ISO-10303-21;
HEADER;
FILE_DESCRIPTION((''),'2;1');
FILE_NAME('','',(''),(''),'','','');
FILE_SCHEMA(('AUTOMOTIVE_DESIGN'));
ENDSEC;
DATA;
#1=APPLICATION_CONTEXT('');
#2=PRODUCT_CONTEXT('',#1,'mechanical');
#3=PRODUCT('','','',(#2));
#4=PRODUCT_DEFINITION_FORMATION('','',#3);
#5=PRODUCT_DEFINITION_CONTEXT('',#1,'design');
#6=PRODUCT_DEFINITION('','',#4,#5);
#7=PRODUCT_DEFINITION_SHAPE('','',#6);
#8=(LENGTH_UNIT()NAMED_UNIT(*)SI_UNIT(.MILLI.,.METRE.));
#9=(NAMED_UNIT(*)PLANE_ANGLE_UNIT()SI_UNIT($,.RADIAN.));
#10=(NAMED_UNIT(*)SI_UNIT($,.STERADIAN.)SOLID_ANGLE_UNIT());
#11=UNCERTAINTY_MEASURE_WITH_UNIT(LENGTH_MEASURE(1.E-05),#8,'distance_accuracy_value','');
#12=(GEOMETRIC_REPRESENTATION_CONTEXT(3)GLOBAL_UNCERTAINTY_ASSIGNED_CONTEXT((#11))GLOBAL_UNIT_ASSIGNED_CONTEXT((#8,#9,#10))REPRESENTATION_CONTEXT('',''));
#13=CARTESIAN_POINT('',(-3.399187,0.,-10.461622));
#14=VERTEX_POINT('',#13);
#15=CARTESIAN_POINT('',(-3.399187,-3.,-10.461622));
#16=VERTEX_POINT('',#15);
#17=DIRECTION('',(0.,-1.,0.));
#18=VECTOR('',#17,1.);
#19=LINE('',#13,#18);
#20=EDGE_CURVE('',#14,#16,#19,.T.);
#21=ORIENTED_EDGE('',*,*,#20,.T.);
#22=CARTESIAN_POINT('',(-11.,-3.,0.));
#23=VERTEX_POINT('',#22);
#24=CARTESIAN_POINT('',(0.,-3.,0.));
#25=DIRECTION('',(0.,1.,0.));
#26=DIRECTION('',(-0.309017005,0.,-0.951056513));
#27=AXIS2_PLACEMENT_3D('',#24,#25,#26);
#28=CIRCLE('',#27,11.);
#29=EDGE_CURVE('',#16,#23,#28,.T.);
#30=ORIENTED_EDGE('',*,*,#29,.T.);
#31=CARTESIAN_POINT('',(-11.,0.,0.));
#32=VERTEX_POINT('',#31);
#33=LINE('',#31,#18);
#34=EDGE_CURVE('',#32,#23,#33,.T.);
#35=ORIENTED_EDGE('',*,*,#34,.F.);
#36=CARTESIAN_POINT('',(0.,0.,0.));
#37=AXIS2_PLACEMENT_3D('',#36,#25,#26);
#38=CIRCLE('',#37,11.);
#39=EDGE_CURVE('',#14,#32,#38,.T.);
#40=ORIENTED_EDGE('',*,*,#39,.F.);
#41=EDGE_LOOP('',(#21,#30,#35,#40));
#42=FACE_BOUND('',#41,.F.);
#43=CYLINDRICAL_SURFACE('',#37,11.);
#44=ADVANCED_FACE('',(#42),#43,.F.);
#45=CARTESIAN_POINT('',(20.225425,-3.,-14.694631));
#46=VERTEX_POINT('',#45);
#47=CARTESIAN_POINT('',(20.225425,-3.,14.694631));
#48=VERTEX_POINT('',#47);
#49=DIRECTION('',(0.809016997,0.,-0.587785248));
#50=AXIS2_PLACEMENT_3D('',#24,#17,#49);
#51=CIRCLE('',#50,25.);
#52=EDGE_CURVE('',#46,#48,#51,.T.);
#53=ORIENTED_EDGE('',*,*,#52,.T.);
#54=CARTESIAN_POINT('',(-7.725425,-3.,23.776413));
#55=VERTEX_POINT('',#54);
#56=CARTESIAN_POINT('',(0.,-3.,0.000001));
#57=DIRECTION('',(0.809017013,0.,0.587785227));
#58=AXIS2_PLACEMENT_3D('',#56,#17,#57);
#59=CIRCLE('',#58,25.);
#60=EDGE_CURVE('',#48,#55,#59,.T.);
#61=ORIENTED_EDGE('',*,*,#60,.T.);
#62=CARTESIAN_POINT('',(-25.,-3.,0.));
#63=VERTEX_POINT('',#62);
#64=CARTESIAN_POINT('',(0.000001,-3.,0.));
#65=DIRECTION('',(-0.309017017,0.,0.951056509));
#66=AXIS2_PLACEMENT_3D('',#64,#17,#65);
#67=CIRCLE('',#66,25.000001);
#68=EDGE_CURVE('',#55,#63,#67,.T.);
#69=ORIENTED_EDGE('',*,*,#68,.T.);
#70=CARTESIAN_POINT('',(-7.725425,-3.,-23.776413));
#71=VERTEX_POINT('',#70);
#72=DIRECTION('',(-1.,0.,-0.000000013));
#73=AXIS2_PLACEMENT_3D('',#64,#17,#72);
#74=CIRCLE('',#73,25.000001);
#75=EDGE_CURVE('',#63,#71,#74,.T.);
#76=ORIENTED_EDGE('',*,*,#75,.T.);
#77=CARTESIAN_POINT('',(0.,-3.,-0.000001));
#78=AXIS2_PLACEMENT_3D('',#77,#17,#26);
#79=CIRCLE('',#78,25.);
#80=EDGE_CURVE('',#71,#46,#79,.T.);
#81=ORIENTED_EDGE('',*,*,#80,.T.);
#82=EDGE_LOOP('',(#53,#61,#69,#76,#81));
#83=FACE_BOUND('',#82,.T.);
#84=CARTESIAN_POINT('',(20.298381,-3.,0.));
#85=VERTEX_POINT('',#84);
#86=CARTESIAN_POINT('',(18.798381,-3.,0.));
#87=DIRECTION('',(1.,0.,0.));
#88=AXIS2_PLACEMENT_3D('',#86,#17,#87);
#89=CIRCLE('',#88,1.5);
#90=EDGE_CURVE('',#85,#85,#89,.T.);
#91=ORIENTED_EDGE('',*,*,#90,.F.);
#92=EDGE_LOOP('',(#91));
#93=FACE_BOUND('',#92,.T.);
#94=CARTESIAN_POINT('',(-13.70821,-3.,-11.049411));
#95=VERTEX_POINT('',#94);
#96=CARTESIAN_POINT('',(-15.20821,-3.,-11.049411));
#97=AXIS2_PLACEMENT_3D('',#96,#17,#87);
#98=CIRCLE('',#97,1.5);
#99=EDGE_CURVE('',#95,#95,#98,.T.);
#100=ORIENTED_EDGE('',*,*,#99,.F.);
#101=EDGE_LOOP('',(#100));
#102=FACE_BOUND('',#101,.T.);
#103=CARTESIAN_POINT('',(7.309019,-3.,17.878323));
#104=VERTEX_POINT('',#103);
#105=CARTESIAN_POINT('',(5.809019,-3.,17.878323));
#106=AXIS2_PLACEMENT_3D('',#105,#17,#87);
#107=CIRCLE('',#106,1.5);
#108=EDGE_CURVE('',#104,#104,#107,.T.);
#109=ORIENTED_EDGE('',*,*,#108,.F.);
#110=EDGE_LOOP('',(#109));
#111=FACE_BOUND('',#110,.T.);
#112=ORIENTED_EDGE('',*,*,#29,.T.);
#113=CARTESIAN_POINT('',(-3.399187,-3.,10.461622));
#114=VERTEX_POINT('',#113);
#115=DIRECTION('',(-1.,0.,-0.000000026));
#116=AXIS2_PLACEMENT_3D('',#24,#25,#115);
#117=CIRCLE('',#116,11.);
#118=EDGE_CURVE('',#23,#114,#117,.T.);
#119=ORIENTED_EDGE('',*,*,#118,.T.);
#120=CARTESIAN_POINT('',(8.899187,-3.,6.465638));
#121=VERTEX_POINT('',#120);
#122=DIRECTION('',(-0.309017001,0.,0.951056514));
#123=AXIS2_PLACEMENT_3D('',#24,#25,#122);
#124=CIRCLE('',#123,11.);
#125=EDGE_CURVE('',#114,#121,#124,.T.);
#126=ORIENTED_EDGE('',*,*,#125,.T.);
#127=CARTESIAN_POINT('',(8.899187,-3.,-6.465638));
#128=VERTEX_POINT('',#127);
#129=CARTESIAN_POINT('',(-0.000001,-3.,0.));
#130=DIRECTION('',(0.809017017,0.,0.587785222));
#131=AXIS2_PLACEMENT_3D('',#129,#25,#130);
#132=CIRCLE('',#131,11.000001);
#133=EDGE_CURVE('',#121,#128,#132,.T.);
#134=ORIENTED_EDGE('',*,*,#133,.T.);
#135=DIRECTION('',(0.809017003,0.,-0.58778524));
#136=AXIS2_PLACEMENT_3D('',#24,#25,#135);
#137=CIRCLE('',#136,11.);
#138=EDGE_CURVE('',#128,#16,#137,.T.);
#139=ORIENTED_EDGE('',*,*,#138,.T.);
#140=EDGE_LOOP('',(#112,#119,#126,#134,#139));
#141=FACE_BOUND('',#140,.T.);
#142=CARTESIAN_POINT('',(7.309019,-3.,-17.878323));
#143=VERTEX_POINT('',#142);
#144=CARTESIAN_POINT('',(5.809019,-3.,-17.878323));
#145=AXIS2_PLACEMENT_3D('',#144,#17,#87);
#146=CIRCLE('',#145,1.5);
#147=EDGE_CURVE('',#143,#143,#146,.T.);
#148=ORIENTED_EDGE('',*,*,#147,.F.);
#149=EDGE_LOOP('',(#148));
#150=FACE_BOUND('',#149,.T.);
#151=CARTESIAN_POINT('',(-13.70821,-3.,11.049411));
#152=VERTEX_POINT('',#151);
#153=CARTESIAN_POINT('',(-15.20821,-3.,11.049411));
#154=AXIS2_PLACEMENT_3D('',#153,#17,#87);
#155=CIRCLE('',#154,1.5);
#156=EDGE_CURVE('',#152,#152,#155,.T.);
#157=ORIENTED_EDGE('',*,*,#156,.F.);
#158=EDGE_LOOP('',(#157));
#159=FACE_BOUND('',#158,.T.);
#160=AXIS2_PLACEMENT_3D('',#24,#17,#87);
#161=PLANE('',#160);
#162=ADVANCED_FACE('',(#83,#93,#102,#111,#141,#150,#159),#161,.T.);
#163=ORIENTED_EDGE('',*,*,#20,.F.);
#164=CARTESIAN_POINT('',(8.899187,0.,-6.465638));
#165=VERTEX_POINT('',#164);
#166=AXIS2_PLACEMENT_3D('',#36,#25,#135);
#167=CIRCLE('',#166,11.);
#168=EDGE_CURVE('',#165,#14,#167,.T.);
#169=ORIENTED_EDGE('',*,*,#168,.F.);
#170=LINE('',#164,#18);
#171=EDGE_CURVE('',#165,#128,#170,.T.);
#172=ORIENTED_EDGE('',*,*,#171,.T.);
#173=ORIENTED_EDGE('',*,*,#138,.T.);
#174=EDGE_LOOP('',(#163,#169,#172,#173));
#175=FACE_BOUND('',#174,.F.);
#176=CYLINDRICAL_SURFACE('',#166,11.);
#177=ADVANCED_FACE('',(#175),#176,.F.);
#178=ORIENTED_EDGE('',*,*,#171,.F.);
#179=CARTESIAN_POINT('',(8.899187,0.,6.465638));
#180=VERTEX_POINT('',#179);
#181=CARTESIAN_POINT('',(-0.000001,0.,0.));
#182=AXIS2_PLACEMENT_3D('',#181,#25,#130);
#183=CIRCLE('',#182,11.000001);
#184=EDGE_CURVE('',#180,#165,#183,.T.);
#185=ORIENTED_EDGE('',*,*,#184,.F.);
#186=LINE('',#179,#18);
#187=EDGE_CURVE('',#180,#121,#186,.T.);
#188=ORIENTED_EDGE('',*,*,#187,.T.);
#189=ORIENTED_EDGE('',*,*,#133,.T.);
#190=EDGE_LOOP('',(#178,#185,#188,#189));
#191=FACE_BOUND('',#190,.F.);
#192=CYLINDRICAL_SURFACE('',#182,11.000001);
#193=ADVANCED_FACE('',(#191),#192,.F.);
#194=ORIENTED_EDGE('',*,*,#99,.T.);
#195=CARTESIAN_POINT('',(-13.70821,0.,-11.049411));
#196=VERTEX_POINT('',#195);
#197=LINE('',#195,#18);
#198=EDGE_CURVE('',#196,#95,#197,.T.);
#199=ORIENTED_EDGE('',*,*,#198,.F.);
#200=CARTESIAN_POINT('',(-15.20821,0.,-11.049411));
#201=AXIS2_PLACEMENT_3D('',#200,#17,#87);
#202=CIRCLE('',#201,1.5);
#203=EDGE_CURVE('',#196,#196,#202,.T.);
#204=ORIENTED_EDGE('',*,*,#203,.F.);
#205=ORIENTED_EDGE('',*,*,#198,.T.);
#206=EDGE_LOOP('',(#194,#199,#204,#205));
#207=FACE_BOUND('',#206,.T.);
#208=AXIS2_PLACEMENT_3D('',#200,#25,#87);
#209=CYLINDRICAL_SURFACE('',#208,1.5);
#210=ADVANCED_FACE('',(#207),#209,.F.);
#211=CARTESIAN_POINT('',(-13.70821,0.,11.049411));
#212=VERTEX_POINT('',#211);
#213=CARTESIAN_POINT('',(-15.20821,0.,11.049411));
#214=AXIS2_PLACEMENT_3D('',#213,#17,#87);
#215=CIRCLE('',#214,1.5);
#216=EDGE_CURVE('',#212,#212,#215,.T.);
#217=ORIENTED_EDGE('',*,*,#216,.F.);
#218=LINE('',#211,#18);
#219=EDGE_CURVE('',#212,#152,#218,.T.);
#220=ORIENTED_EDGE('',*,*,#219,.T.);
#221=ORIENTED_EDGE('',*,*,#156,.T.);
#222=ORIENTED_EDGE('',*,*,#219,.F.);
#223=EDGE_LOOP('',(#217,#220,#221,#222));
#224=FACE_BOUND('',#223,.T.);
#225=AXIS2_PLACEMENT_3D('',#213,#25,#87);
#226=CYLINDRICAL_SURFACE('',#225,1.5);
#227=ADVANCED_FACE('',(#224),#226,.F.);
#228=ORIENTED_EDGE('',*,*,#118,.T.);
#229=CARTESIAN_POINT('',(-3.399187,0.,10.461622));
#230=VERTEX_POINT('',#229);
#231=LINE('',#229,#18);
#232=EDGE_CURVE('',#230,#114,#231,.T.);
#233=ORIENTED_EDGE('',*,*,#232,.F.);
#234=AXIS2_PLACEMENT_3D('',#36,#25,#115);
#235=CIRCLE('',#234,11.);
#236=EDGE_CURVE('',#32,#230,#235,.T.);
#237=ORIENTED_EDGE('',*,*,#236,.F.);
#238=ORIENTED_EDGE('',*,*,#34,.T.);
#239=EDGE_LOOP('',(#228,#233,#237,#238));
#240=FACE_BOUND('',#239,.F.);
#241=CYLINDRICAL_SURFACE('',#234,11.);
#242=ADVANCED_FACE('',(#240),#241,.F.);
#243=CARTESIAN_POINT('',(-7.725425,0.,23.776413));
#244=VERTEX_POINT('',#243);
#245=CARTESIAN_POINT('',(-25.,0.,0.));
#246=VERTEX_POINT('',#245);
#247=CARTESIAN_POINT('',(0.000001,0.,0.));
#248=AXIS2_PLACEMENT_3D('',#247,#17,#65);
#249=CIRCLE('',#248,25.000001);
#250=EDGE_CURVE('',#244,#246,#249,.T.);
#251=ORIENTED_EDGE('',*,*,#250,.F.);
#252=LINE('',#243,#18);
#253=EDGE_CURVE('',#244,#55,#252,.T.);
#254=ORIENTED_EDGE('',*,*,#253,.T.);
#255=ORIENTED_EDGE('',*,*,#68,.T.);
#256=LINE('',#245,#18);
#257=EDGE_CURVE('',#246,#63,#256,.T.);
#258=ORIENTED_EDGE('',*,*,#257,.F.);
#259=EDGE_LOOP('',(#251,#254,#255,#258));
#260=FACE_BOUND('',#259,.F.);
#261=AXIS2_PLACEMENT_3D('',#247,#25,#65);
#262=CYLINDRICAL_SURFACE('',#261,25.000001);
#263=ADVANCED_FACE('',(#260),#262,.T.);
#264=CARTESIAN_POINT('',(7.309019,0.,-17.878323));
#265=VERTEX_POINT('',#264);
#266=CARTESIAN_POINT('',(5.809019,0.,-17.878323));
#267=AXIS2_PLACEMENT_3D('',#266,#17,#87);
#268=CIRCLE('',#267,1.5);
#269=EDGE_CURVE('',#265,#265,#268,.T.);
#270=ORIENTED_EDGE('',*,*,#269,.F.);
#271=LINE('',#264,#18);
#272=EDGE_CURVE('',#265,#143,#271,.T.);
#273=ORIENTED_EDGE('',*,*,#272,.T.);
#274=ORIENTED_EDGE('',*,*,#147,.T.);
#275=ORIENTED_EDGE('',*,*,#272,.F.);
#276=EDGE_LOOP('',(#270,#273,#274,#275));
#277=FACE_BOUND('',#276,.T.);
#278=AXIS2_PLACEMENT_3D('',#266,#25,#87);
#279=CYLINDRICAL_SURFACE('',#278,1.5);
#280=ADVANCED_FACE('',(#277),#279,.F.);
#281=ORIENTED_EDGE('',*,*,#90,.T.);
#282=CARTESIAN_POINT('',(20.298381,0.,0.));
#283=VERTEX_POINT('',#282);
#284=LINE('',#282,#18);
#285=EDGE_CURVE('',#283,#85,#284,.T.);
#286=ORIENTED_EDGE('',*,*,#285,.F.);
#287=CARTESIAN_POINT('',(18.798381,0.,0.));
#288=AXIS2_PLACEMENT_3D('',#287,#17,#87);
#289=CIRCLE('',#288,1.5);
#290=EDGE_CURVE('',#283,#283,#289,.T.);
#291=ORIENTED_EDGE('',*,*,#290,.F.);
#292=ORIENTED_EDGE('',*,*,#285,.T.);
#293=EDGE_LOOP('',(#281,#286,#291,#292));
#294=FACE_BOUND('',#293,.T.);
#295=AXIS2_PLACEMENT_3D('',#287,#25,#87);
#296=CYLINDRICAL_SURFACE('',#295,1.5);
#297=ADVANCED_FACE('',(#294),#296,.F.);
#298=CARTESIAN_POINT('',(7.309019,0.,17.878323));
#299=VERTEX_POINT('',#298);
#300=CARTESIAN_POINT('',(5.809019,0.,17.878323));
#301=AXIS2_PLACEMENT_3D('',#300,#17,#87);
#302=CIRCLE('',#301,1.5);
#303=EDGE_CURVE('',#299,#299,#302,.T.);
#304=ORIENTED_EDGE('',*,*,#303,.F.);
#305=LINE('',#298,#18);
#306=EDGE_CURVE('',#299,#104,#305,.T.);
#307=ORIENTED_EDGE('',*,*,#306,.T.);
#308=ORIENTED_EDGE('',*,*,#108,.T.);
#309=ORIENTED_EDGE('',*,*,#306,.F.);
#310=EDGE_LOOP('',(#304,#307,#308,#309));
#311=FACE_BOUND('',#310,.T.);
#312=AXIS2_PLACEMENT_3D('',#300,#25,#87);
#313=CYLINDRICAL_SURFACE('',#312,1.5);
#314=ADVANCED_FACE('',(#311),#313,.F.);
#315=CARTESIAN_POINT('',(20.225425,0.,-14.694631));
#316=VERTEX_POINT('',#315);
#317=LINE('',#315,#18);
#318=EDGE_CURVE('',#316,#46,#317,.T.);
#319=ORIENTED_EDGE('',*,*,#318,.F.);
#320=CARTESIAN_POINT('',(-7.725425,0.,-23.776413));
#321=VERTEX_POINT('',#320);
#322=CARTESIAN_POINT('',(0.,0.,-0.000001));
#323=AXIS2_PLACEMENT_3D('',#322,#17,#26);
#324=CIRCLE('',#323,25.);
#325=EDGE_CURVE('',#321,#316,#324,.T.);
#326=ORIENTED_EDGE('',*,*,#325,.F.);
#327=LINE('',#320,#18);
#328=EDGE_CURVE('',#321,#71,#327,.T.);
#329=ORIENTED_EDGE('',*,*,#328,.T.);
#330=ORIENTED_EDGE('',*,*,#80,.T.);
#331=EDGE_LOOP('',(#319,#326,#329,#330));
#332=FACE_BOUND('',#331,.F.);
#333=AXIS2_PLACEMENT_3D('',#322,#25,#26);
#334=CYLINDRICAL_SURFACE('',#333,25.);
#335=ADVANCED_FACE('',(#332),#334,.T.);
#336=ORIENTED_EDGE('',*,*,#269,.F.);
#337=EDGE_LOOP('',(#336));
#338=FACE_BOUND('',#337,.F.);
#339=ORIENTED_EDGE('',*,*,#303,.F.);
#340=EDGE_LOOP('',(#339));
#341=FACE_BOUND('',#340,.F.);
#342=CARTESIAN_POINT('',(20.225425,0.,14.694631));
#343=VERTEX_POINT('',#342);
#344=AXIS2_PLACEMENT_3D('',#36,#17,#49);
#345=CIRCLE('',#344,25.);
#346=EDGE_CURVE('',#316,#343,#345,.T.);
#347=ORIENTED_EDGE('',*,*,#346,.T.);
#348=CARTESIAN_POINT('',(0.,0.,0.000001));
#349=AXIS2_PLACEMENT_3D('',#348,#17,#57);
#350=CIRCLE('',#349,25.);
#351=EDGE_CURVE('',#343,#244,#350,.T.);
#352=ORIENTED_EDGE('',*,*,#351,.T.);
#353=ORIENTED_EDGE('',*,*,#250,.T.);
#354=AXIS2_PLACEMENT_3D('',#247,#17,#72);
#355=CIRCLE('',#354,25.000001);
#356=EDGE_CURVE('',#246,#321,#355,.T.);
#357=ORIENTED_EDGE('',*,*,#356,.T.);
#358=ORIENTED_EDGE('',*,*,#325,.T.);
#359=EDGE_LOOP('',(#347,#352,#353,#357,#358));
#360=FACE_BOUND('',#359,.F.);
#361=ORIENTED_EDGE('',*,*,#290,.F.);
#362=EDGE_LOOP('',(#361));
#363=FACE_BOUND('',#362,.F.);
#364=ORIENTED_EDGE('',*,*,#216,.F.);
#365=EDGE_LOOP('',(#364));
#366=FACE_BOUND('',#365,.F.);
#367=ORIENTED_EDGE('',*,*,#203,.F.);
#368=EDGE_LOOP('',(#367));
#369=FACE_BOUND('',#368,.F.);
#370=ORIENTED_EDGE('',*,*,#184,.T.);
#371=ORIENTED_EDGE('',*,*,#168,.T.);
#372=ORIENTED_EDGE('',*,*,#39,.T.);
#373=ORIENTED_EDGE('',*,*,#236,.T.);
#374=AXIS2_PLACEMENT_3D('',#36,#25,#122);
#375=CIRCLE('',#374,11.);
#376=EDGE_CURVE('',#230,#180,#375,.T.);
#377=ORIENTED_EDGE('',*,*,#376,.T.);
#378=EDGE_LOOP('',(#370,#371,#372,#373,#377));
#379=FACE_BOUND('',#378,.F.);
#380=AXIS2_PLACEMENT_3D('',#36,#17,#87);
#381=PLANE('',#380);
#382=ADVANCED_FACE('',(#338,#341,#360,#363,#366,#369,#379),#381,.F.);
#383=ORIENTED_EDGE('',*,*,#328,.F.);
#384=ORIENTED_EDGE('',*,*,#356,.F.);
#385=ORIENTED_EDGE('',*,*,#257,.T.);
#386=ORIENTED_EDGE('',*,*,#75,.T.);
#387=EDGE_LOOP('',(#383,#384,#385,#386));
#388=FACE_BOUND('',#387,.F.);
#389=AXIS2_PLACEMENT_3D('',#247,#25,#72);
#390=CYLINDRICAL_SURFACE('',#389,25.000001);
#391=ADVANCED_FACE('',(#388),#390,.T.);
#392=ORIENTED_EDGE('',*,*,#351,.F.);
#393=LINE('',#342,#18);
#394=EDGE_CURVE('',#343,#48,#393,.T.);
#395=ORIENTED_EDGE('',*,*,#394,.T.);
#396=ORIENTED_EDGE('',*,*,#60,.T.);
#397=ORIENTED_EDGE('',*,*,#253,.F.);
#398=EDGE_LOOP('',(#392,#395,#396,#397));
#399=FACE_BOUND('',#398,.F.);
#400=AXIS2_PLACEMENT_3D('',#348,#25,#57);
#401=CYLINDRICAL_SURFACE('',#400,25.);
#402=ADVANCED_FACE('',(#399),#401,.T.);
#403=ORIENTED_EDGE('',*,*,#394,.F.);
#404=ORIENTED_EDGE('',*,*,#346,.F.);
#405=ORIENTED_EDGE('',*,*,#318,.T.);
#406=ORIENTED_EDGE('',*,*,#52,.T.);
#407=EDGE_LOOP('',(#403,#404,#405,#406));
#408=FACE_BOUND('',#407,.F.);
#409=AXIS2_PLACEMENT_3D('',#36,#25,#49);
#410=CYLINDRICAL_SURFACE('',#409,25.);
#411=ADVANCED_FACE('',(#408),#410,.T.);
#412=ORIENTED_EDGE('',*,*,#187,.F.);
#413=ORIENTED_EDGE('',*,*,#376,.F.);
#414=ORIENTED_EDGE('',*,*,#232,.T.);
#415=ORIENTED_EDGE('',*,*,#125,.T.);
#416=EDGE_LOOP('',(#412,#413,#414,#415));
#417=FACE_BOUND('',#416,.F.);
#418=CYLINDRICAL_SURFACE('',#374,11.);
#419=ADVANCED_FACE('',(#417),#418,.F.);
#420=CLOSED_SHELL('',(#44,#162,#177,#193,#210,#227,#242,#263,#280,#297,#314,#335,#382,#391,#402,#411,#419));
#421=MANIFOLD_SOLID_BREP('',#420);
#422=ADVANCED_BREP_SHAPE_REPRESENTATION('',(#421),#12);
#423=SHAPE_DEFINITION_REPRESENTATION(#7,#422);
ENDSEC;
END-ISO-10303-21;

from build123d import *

# Parameters (mm, degrees)
F0_R     = 1.5
F1_DEPTH = 3


with BuildPart() as f1:
    # F0 (on Front) → F1 (new body)
    with BuildSketch(Plane.XZ):
        with BuildLine():
            ThreePointArc((20.225425, 14.694631), (7.725425, 23.776413), (-7.725425, 23.776413))
            ThreePointArc((-7.725425, 23.776413), (-20.225425, 14.694631), (-25, 0))
            ThreePointArc((-25, 0), (-20.225425, -14.694631), (-7.725425, -23.776413))
            ThreePointArc((-7.725425, -23.776413), (7.725425, -23.776413), (20.225425, -14.694631))
            ThreePointArc((20.225425, -14.694631), (25, 0), (20.225425, 14.694631))
        make_face()
        with Locations((-15.20821, -11.049411)):
            Circle(F0_R, mode=Mode.SUBTRACT)
        with Locations((5.809019, -17.878323)):
            Circle(F0_R, mode=Mode.SUBTRACT)
        with Locations((-15.20821, 11.049411)):
            Circle(F0_R, mode=Mode.SUBTRACT)
        with BuildLine():
            ThreePointArc((-11, 0), (-8.899187, 6.465638), (-3.399187, 10.461622))
            ThreePointArc((-3.399187, 10.461622), (3.399187, 10.461622), (8.899187, 6.465638))
            ThreePointArc((8.899187, 6.465638), (11, 0), (8.899187, -6.465638))
            ThreePointArc((8.899187, -6.465638), (3.399187, -10.461622), (-3.399187, -10.461622))
            ThreePointArc((-3.399187, -10.461622), (-8.899187, -6.465638), (-11, 0))
        make_face(mode=Mode.SUBTRACT)
        with Locations((18.798381, 0)):
            Circle(F0_R, mode=Mode.SUBTRACT)
        with Locations((5.809019, 17.878323)):
            Circle(F0_R, mode=Mode.SUBTRACT)
    extrude(amount=F1_DEPTH)


solid = f1.part
